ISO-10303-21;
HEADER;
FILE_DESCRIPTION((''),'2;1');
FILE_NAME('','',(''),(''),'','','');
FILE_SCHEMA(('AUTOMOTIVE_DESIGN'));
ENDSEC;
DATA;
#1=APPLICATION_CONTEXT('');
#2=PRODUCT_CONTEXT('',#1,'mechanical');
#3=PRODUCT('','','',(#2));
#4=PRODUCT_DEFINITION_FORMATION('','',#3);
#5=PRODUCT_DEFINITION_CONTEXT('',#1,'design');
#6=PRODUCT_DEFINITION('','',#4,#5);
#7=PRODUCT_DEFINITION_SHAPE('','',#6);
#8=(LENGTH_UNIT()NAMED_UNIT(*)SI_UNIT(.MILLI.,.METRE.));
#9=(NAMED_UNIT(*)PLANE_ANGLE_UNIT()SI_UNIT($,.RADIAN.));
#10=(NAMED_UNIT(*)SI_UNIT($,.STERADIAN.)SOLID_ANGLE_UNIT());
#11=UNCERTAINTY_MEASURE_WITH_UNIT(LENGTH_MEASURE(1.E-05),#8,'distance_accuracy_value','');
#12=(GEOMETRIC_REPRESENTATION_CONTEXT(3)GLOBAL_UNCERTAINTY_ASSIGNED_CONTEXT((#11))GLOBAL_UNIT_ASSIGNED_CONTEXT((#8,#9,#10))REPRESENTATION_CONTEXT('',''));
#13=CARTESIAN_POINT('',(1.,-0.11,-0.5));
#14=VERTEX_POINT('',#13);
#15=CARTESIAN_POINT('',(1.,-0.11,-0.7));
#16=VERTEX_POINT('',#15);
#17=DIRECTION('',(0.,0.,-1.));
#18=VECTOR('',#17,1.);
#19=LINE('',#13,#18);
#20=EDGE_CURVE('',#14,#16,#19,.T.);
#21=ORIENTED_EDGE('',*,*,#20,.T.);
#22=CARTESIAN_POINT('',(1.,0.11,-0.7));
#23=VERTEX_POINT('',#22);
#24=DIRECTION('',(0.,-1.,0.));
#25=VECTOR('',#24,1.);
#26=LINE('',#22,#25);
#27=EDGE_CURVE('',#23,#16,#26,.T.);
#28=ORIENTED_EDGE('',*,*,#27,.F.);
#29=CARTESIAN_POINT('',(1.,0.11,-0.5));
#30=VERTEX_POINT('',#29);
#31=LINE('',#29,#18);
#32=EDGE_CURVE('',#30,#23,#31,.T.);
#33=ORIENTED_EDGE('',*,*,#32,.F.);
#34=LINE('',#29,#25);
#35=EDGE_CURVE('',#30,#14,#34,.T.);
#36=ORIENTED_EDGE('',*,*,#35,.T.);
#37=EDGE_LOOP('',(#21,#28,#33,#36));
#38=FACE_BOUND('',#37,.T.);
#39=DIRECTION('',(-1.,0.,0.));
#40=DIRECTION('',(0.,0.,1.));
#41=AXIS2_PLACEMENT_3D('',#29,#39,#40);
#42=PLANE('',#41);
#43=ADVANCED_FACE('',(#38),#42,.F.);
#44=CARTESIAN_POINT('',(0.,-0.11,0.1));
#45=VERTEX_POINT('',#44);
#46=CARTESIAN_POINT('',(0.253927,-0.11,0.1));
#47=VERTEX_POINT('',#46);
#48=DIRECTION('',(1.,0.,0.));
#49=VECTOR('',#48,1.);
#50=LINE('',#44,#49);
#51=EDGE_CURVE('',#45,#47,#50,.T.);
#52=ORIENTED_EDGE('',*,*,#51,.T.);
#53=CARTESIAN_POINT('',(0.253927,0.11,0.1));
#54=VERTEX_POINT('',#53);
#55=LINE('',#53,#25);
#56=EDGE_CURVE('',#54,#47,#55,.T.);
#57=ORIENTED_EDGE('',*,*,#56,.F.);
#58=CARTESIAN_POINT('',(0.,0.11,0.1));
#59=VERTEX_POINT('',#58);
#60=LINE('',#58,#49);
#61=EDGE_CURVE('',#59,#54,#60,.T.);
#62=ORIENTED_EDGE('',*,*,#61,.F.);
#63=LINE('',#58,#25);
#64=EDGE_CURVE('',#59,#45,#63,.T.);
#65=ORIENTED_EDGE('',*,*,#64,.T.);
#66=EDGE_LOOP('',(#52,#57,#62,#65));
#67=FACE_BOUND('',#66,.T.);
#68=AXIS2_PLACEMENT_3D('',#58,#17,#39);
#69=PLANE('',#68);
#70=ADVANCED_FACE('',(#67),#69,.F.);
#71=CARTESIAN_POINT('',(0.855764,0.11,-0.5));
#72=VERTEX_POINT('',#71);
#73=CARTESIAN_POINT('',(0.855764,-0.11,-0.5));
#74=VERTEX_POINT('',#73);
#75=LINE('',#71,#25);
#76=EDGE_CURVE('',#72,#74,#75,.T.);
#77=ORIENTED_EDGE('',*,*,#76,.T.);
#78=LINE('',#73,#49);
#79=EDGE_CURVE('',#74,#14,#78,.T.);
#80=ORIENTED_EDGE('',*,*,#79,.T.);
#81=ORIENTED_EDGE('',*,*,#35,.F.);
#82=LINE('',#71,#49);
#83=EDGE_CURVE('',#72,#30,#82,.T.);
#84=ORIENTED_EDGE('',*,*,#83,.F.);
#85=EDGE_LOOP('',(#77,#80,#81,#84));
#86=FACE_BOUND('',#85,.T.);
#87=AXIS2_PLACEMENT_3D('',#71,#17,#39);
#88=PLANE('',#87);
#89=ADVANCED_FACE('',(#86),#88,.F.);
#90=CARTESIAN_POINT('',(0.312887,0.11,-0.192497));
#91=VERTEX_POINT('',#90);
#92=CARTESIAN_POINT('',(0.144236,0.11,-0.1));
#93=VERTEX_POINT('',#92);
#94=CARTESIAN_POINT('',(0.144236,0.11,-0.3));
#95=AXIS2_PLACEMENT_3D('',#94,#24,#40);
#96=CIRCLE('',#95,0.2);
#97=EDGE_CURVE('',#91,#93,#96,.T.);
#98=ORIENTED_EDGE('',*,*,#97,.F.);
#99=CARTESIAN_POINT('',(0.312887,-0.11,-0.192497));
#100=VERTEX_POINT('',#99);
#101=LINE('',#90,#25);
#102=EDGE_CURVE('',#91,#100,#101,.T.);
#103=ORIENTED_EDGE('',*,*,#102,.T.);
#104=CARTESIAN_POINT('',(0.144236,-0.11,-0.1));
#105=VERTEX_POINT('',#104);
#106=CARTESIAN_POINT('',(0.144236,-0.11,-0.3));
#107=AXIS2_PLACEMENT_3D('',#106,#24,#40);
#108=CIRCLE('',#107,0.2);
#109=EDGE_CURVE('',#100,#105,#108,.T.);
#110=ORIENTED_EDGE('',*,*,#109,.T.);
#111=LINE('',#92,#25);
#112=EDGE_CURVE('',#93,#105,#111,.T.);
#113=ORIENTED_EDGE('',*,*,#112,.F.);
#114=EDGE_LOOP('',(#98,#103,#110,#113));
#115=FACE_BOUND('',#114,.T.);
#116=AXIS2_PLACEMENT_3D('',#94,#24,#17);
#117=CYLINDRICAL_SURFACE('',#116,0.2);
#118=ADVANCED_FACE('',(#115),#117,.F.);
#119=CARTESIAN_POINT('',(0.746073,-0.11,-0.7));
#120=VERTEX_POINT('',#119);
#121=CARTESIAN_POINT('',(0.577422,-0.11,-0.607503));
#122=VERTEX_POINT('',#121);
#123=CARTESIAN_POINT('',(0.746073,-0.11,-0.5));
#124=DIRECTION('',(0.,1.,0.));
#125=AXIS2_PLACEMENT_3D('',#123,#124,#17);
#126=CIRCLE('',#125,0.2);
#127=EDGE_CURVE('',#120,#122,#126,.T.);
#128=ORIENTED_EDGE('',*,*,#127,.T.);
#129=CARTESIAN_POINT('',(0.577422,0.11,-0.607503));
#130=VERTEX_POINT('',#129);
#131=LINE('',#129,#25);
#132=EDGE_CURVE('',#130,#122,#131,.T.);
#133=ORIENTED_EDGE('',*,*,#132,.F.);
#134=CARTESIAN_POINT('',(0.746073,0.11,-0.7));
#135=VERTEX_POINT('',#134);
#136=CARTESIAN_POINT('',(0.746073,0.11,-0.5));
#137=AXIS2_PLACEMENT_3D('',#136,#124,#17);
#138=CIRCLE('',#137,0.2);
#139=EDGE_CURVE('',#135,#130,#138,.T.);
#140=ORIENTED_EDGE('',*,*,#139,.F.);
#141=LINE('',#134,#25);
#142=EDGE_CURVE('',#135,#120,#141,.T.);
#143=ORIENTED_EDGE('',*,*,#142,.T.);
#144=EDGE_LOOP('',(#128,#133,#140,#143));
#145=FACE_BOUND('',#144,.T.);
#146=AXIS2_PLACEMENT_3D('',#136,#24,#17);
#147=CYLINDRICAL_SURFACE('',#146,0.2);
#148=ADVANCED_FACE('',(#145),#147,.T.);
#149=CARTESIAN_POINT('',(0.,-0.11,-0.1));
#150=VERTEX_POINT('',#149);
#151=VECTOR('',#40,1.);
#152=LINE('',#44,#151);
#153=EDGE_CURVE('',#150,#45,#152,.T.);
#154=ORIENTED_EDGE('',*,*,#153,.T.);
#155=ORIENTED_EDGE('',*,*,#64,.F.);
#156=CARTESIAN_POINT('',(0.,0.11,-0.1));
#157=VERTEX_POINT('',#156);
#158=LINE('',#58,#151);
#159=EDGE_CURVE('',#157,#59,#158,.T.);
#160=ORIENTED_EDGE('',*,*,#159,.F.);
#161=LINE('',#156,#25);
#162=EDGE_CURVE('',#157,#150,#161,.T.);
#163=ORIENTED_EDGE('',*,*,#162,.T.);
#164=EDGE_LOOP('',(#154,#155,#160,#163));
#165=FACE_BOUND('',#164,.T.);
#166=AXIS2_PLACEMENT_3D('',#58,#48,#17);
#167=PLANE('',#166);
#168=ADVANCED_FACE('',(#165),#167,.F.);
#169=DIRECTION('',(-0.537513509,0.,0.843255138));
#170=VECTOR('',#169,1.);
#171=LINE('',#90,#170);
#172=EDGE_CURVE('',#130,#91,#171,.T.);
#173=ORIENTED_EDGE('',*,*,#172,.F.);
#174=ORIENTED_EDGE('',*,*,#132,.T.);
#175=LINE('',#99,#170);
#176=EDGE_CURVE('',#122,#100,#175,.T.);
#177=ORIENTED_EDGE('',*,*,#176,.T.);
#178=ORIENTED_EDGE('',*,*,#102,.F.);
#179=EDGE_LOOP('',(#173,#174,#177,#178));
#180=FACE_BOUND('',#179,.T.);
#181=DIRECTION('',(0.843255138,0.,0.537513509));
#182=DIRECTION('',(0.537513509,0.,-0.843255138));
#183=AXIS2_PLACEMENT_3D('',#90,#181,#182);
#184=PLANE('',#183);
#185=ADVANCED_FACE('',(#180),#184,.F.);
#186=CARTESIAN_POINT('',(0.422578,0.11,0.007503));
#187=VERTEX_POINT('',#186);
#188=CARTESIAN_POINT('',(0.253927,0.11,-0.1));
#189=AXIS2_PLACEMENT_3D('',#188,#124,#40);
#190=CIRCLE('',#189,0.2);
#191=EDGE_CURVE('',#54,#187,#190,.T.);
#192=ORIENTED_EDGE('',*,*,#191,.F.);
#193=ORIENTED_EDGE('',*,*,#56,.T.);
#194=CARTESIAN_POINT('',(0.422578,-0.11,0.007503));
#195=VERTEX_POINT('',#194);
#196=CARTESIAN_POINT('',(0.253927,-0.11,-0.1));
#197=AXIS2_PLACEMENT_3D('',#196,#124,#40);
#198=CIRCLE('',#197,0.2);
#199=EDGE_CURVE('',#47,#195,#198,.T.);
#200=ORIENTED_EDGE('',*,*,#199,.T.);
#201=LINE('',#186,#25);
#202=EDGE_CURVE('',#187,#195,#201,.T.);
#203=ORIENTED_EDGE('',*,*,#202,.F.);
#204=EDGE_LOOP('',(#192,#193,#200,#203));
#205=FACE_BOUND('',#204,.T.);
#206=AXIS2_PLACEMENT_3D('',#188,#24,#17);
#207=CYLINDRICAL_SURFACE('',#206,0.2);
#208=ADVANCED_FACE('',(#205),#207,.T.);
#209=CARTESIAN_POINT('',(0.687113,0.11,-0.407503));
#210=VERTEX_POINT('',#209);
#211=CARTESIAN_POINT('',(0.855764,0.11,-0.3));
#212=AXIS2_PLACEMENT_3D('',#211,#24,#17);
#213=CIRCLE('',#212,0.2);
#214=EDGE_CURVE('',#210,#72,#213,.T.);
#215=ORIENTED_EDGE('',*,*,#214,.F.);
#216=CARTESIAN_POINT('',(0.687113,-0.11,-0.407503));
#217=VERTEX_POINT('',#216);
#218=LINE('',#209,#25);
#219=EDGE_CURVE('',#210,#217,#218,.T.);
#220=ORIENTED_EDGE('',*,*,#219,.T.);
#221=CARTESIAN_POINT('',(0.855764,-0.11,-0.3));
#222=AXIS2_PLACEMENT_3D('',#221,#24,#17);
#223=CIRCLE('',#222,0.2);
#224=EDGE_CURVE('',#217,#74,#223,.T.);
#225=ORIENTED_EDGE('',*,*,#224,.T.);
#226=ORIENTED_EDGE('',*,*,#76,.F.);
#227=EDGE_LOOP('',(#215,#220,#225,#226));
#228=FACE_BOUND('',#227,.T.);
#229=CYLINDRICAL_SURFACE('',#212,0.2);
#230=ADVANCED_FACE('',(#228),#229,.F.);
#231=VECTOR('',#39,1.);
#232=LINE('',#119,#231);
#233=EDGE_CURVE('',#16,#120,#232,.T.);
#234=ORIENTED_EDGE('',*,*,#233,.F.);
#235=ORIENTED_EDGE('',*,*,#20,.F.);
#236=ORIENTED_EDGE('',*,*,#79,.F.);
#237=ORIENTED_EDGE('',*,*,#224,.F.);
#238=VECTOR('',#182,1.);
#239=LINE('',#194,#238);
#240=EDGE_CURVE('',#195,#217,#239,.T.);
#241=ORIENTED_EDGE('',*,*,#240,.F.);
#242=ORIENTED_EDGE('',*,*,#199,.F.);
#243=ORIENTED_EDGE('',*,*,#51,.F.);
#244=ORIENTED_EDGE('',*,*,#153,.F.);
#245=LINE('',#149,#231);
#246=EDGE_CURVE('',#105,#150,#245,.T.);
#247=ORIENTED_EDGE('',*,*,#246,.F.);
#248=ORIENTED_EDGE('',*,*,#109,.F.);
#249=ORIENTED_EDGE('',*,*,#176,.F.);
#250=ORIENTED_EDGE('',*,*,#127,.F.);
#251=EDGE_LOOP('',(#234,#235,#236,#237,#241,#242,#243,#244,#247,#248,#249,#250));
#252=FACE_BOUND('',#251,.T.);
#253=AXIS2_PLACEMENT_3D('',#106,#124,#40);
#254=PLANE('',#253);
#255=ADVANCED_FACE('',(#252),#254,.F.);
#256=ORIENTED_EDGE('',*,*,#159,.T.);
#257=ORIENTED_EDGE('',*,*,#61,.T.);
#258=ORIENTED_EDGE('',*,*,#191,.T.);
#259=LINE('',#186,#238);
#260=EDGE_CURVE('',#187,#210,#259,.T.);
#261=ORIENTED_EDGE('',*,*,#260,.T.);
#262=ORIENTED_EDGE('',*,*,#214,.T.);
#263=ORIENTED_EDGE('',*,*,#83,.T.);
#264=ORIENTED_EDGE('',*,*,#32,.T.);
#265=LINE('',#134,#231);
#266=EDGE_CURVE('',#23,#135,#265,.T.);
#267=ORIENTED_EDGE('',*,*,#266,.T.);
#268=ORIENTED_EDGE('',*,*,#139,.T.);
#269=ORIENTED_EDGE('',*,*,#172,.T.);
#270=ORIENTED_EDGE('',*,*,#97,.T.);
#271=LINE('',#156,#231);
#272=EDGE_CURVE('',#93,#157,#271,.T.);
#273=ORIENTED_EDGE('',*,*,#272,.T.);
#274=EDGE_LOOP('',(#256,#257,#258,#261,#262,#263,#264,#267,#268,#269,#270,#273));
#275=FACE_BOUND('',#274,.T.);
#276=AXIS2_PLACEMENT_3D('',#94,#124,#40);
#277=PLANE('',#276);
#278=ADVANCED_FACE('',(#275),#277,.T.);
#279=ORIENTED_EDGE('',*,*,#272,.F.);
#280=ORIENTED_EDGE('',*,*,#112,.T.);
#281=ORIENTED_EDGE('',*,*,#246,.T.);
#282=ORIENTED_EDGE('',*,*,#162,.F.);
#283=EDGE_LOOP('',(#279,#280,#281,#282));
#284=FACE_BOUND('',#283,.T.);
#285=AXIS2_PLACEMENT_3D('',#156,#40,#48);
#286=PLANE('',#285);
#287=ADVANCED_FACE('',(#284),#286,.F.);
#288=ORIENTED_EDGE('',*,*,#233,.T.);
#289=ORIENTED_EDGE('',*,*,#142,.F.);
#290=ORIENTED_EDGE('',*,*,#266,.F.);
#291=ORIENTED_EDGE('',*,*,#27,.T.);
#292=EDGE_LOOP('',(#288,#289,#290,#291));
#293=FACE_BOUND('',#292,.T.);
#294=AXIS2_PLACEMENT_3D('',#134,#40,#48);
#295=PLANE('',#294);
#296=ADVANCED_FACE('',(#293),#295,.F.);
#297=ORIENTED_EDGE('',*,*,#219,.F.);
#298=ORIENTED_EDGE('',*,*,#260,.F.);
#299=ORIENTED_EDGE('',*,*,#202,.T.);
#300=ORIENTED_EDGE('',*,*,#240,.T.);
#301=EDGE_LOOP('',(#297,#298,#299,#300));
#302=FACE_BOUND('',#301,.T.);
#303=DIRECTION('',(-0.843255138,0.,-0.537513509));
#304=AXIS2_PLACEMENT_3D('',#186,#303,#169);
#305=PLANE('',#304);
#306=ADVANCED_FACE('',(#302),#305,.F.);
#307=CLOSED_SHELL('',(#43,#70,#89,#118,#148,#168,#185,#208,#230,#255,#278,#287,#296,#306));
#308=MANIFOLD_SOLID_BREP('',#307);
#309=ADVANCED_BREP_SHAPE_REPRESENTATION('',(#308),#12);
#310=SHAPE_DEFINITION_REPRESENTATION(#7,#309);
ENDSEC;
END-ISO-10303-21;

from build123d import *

# Parameters (mm, degrees)
BOSS_EXTRUDE1_DEPTH = 0.11


with BuildPart() as part:
    # Sketch1 → Boss-Extrude1 (new body, symmetric)
    with BuildSketch(Plane(origin=(0, 0, 0), x_dir=(1, 0, 0), z_dir=(0, 1, 0))):
        with BuildLine():
            Line((0, -0.1), (0.253926549, -0.1))
            ThreePointArc((0.253926549, -0.1), (0.350102065, -0.07535755), (0.422577577, -0.007502702))
            Line((0.422577577, -0.007502702), (0.687113185, 0.407502702))
            ThreePointArc((0.687113185, 0.407502702), (0.759588697, 0.47535755), (0.855764212, 0.5))
            Line((0.855764212, 0.5), (1, 0.5))
            Line((1, 0.5), (1, 0.7))
            Line((1, 0.7), (0.746073451, 0.7))
            ThreePointArc((0.746073451, 0.7), (0.649897935, 0.67535755), (0.577422423, 0.607502702))
            Line((0.577422423, 0.607502702), (0.312886815, 0.192497298))
            ThreePointArc((0.312886815, 0.192497298), (0.240411303, 0.12464245), (0.144235788, 0.1))
            Line((0.144235788, 0.1), (0, 0.1))
            Line((0, 0.1), (0, -0.1))
        make_face()
    extrude(amount=BOSS_EXTRUDE1_DEPTH, both=True)


solid = part.part
